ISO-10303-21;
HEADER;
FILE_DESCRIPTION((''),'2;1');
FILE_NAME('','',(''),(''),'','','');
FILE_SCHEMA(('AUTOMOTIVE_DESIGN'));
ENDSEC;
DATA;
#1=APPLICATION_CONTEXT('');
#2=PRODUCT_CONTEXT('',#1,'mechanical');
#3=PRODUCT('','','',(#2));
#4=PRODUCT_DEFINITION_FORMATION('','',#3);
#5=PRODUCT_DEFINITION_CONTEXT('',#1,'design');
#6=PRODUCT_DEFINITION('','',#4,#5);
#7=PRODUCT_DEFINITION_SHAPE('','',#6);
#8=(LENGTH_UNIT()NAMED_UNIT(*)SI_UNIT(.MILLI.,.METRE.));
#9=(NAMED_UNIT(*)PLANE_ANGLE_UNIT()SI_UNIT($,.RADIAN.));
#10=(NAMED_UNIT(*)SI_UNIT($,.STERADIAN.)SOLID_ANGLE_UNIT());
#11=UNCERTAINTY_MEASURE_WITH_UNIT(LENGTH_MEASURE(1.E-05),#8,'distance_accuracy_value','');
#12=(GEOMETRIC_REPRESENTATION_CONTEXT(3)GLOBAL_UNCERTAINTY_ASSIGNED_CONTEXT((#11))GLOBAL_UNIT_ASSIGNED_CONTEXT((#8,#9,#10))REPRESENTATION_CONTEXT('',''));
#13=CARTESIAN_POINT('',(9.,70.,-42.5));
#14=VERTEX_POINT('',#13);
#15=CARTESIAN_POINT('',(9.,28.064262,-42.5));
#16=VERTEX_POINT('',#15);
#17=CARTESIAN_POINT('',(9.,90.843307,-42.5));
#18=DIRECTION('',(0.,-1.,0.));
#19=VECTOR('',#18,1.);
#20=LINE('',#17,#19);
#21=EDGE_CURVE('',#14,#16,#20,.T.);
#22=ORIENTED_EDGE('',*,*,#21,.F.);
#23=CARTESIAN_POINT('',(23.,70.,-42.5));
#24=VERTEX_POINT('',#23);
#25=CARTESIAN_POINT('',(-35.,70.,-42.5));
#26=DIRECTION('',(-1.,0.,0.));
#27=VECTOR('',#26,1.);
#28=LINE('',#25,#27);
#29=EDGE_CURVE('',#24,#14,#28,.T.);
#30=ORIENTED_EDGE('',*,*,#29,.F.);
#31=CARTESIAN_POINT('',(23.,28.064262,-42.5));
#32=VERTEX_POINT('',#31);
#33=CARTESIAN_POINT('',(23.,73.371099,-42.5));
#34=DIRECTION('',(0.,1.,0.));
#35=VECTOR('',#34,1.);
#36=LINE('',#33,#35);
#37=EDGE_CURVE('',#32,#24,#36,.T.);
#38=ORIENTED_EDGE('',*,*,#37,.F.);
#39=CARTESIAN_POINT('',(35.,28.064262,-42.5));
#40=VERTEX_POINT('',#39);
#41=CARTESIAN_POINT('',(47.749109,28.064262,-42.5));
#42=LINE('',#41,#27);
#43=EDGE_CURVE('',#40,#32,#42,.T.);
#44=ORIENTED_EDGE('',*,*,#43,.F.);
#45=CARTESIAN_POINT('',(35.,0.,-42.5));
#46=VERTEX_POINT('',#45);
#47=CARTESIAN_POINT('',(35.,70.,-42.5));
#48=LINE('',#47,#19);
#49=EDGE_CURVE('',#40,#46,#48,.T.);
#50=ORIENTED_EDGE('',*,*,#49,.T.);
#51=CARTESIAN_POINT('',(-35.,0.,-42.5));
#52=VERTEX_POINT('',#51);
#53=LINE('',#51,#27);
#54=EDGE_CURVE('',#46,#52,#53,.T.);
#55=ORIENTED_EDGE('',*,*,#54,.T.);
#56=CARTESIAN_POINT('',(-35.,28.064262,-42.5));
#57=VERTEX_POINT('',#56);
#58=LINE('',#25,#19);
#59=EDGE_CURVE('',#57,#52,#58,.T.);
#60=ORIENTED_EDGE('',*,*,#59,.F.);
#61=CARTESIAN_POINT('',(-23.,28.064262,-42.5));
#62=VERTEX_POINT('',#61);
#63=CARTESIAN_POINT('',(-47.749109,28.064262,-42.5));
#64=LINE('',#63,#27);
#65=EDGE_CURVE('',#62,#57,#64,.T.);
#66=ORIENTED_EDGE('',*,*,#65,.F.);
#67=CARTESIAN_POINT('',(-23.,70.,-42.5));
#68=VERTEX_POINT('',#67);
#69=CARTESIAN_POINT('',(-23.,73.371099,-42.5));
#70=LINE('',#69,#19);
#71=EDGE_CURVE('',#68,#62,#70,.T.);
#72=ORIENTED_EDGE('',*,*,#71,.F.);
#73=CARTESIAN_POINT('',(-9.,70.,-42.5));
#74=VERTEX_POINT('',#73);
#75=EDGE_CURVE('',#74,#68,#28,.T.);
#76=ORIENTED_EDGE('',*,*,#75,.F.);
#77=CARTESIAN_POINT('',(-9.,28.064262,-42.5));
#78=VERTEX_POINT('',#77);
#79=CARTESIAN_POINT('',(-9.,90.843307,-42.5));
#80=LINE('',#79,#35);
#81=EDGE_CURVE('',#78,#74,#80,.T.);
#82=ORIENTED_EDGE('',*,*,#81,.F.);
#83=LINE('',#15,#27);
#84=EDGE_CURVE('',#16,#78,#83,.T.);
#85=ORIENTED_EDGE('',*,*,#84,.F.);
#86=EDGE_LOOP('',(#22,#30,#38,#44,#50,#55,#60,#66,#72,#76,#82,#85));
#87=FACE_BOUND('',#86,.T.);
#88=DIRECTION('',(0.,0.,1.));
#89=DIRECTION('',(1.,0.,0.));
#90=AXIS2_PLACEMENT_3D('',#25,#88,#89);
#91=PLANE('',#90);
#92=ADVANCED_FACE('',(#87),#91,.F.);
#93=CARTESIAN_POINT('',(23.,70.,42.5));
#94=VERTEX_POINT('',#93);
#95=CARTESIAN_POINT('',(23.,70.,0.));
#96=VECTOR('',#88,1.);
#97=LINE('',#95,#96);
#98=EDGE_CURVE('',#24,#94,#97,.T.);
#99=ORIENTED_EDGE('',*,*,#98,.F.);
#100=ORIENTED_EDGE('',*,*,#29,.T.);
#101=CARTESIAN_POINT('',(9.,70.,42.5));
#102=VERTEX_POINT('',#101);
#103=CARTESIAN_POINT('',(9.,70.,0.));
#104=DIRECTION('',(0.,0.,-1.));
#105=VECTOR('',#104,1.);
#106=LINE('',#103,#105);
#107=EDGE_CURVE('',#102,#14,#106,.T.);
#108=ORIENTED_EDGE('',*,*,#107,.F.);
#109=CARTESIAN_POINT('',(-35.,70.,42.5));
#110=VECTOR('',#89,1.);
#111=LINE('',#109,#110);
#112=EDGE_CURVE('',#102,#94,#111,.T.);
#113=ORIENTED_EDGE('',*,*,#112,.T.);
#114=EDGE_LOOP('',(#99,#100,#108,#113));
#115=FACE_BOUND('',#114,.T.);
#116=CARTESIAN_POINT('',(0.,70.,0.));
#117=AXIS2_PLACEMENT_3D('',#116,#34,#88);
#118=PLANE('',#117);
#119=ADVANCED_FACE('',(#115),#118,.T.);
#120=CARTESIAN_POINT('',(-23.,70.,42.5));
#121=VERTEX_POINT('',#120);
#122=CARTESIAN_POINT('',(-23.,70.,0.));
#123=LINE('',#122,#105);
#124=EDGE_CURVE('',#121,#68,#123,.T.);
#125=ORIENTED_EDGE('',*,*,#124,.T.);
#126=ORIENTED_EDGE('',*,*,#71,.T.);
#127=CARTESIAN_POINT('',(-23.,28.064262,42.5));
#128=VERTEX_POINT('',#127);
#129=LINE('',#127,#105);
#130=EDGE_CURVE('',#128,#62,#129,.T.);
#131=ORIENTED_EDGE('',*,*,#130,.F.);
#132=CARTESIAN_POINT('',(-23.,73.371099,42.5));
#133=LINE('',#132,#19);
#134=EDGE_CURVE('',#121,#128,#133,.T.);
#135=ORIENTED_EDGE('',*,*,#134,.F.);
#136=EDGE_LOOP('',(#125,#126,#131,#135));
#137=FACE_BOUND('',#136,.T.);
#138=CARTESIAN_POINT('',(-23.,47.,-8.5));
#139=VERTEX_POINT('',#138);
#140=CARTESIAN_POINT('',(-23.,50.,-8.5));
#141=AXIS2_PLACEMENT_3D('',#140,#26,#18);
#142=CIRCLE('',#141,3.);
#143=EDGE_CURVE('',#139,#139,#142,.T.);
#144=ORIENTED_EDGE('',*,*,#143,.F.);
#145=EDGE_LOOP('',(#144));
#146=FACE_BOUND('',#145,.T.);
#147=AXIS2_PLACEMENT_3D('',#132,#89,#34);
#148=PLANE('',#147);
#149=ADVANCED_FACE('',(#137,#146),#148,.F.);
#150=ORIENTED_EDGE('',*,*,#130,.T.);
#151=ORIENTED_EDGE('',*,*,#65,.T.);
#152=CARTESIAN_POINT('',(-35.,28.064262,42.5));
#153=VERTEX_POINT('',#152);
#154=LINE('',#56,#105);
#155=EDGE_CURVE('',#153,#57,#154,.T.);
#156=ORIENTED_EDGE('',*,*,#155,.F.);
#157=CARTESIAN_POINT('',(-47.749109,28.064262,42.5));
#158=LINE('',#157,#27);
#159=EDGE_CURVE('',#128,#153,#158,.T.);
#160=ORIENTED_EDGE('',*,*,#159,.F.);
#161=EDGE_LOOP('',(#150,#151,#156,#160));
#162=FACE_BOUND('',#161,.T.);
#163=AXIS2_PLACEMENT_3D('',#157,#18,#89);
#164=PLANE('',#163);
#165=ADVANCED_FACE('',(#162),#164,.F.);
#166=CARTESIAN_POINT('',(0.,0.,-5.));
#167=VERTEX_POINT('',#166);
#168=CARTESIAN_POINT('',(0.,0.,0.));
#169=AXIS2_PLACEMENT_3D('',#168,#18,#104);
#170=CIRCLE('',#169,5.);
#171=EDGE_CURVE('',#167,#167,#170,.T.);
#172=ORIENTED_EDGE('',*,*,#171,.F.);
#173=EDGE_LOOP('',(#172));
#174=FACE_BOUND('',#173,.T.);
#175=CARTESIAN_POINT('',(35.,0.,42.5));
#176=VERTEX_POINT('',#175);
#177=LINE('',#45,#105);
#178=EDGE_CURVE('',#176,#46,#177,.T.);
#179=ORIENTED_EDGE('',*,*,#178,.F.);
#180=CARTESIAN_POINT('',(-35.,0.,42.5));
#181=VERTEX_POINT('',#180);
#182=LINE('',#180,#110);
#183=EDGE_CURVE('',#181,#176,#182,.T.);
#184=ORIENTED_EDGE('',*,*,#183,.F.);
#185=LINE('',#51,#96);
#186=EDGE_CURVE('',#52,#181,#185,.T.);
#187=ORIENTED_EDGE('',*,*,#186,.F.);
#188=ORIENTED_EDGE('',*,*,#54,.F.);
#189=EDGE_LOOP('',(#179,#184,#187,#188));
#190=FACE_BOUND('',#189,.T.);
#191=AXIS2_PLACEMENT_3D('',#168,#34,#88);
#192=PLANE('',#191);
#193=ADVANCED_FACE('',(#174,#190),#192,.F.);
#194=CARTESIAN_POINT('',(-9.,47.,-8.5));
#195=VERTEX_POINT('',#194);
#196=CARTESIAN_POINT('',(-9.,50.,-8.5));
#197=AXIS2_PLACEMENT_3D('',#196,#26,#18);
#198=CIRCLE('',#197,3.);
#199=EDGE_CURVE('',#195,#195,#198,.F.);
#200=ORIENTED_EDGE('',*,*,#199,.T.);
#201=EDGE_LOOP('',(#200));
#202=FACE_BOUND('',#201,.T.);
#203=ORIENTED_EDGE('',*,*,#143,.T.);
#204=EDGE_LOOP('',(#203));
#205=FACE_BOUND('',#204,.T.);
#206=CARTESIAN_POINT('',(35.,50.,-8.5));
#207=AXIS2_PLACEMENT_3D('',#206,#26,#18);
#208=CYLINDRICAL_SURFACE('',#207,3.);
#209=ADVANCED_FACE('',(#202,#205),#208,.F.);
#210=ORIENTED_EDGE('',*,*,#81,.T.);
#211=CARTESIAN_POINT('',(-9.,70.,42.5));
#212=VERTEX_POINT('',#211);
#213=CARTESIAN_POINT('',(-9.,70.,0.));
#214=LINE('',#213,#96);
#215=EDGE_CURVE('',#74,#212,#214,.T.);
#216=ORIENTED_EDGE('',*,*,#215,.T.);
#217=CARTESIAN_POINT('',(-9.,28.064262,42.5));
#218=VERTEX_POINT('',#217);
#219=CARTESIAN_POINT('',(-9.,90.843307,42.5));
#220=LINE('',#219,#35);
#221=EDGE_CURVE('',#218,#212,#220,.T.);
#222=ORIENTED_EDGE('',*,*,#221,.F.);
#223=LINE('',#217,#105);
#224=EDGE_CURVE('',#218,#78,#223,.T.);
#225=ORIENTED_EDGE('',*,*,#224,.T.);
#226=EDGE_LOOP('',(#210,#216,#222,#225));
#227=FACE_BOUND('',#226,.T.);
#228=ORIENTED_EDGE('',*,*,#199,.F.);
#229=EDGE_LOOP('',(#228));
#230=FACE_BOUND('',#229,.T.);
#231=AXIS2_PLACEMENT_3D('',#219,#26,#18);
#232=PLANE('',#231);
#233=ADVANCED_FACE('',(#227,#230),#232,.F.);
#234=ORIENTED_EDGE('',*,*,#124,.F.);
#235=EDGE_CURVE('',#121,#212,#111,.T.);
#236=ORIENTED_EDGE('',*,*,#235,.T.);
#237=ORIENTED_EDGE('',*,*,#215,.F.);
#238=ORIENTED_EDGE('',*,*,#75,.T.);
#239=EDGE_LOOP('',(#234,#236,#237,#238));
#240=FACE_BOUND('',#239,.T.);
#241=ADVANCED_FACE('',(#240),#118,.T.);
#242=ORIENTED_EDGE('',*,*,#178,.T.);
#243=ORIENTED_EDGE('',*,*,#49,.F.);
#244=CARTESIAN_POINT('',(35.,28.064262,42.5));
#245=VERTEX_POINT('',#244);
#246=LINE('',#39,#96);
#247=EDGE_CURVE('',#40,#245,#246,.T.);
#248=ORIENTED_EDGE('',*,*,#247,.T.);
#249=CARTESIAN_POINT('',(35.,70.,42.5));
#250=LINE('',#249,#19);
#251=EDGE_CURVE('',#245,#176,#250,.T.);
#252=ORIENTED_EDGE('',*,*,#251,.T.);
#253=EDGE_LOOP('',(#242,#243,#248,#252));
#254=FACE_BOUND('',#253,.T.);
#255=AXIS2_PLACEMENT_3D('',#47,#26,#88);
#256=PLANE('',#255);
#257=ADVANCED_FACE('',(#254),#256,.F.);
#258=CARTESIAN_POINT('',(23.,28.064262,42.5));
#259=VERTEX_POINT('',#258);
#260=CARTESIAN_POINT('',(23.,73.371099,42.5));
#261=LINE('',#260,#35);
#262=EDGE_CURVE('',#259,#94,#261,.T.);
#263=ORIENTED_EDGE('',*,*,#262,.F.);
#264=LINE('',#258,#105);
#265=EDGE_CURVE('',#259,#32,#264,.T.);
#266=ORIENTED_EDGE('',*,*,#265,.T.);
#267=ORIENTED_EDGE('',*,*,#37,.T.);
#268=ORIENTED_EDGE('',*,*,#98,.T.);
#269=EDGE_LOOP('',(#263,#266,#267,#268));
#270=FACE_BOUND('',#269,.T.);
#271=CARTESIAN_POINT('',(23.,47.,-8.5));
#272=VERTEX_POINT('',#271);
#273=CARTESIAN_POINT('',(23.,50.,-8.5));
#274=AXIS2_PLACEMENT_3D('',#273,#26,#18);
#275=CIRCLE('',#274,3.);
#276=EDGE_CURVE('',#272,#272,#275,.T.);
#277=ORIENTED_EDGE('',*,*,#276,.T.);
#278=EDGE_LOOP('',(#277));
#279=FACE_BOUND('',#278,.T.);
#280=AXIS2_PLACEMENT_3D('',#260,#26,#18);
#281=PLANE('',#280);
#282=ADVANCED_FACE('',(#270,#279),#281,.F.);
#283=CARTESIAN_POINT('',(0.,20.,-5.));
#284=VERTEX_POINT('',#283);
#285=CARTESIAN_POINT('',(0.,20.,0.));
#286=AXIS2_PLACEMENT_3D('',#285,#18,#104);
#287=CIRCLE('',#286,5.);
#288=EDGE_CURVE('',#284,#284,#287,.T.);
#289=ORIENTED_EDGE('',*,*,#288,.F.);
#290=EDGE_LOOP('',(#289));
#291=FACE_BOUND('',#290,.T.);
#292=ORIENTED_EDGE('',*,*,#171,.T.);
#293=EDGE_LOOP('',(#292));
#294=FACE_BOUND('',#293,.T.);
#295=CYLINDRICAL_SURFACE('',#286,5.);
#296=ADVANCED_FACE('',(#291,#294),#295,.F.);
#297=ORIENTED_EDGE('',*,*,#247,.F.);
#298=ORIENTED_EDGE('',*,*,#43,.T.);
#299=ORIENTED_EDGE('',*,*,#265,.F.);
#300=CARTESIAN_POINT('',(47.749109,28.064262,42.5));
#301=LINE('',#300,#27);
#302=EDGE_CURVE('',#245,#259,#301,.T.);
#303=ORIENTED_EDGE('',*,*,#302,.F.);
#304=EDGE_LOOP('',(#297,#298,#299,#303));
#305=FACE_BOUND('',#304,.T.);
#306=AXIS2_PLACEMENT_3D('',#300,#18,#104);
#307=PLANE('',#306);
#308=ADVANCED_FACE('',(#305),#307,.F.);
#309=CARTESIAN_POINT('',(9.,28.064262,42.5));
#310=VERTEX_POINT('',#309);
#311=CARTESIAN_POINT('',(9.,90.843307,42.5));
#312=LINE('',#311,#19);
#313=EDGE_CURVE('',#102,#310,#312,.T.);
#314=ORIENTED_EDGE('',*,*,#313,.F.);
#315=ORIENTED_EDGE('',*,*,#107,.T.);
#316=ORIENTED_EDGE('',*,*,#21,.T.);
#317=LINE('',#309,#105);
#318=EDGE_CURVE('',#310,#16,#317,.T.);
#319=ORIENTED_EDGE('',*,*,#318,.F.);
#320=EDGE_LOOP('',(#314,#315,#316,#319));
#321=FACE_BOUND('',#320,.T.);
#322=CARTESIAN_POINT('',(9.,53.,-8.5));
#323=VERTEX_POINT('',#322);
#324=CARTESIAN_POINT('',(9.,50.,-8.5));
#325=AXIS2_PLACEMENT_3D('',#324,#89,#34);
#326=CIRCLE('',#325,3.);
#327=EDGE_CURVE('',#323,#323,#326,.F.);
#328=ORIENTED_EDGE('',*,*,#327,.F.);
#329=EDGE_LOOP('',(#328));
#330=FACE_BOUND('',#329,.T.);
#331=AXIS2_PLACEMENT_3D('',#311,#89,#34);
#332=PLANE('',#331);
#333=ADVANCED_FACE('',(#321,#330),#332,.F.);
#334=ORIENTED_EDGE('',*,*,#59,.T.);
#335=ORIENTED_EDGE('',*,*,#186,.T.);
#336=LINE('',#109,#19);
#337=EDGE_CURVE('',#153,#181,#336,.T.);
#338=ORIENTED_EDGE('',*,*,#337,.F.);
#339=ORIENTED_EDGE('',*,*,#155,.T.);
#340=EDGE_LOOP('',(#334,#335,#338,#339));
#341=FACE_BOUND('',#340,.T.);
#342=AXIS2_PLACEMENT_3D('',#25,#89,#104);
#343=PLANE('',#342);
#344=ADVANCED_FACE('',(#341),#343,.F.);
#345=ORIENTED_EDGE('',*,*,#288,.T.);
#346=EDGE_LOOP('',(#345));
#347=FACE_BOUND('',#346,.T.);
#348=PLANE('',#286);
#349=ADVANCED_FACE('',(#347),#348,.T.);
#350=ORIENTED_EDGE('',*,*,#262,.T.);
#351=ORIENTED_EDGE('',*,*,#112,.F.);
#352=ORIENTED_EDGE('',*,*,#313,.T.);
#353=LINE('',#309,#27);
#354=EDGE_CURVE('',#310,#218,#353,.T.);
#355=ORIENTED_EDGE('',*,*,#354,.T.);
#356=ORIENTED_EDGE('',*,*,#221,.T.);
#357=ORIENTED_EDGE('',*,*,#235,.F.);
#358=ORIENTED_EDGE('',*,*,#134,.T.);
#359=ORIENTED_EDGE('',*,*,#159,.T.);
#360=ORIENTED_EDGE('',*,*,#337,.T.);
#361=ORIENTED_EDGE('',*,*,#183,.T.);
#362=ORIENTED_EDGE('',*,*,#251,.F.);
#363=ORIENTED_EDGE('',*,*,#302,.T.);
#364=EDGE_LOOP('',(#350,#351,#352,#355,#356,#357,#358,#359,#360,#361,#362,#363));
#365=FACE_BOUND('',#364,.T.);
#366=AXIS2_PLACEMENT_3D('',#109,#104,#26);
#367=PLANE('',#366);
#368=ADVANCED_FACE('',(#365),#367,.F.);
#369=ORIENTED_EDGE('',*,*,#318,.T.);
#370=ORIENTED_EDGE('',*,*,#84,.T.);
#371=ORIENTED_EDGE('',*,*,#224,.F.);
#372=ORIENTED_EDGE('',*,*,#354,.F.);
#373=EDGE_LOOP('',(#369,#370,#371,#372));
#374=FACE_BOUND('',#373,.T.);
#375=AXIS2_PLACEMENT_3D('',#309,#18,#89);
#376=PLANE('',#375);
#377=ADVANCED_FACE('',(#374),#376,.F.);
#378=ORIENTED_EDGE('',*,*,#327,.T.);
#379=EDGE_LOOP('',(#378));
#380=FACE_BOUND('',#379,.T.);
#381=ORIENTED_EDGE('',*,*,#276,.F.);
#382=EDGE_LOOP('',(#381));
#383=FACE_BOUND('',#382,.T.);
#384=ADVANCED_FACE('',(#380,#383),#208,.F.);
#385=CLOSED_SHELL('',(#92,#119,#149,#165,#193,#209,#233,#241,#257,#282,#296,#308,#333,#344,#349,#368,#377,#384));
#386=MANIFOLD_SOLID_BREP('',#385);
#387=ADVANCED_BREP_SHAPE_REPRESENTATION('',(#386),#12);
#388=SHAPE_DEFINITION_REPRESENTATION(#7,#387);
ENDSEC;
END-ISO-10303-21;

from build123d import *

# Parameters (mm, degrees)
SKETCH1_W           = 70
SKETCH1_H           = 85
BOSS_EXTRUDE1_DEPTH = 70
SKETCH2_R           = 5
CUT_EXTRUDE1_DEPTH  = 20
SKETCH3_W           = 24.749109438
SKETCH3_H           = 45.30683744
CUT_EXTRUDE2_DEPTH  = 116.542200083
SKETCH4_R           = 3
CUT_EXTRUDE3_DEPTH  = 101.350635275
SKETCH6_W           = 18
SKETCH6_H           = 62.779044911
CUT_EXTRUDE4_DEPTH  = 116.542200083


with BuildPart() as part:
    # Sketch1 → Boss-Extrude1 (new body)
    with BuildSketch(Plane(origin=(0, 0, 0), x_dir=(1, 0, 0), z_dir=(0, 1, 0))):
        Rectangle(SKETCH1_W, SKETCH1_H)
    extrude(amount=BOSS_EXTRUDE1_DEPTH)

    # Sketch2 → Cut-Extrude1 (cut)
    with BuildSketch(Plane.XZ):
        with Locations(Location((0, 0, 0), (0, 0, 270))):
            Circle(SKETCH2_R)
    extrude(amount=-CUT_EXTRUDE1_DEPTH, mode=Mode.SUBTRACT)

    # Sketch3 → Cut-Extrude2 (cut, through all)
    with BuildSketch(Plane(origin=(0, 0, -42.5), x_dir=(-1, 0, 0), z_dir=(0, 0, -1))):
        with Locations((-35.374554719, 50.717680389)):
            Rectangle(SKETCH3_W, SKETCH3_H)
        with Locations((35.374554719, 50.717680389)):
            Rectangle(SKETCH3_W, SKETCH3_H)
    extrude(amount=-CUT_EXTRUDE2_DEPTH, mode=Mode.SUBTRACT)

    # Sketch4 → Cut-Extrude3 (cut, through all)
    with BuildSketch(Plane.ZY.offset(23)):
        with Locations(Location((-8.5, 50, 0), (0, 0, 270))):
            Circle(SKETCH4_R)
    extrude(amount=-CUT_EXTRUDE3_DEPTH, mode=Mode.SUBTRACT)

    # Sketch6 → Cut-Extrude4 (cut, through all)
    with BuildSketch(Plane(origin=(0, 0, -42.5), x_dir=(-1, 0, 0), z_dir=(0, 0, -1))):
        with Locations((0, 59.453784125)):
            Rectangle(SKETCH6_W, SKETCH6_H)
    extrude(amount=-CUT_EXTRUDE4_DEPTH, mode=Mode.SUBTRACT)


solid = part.part
